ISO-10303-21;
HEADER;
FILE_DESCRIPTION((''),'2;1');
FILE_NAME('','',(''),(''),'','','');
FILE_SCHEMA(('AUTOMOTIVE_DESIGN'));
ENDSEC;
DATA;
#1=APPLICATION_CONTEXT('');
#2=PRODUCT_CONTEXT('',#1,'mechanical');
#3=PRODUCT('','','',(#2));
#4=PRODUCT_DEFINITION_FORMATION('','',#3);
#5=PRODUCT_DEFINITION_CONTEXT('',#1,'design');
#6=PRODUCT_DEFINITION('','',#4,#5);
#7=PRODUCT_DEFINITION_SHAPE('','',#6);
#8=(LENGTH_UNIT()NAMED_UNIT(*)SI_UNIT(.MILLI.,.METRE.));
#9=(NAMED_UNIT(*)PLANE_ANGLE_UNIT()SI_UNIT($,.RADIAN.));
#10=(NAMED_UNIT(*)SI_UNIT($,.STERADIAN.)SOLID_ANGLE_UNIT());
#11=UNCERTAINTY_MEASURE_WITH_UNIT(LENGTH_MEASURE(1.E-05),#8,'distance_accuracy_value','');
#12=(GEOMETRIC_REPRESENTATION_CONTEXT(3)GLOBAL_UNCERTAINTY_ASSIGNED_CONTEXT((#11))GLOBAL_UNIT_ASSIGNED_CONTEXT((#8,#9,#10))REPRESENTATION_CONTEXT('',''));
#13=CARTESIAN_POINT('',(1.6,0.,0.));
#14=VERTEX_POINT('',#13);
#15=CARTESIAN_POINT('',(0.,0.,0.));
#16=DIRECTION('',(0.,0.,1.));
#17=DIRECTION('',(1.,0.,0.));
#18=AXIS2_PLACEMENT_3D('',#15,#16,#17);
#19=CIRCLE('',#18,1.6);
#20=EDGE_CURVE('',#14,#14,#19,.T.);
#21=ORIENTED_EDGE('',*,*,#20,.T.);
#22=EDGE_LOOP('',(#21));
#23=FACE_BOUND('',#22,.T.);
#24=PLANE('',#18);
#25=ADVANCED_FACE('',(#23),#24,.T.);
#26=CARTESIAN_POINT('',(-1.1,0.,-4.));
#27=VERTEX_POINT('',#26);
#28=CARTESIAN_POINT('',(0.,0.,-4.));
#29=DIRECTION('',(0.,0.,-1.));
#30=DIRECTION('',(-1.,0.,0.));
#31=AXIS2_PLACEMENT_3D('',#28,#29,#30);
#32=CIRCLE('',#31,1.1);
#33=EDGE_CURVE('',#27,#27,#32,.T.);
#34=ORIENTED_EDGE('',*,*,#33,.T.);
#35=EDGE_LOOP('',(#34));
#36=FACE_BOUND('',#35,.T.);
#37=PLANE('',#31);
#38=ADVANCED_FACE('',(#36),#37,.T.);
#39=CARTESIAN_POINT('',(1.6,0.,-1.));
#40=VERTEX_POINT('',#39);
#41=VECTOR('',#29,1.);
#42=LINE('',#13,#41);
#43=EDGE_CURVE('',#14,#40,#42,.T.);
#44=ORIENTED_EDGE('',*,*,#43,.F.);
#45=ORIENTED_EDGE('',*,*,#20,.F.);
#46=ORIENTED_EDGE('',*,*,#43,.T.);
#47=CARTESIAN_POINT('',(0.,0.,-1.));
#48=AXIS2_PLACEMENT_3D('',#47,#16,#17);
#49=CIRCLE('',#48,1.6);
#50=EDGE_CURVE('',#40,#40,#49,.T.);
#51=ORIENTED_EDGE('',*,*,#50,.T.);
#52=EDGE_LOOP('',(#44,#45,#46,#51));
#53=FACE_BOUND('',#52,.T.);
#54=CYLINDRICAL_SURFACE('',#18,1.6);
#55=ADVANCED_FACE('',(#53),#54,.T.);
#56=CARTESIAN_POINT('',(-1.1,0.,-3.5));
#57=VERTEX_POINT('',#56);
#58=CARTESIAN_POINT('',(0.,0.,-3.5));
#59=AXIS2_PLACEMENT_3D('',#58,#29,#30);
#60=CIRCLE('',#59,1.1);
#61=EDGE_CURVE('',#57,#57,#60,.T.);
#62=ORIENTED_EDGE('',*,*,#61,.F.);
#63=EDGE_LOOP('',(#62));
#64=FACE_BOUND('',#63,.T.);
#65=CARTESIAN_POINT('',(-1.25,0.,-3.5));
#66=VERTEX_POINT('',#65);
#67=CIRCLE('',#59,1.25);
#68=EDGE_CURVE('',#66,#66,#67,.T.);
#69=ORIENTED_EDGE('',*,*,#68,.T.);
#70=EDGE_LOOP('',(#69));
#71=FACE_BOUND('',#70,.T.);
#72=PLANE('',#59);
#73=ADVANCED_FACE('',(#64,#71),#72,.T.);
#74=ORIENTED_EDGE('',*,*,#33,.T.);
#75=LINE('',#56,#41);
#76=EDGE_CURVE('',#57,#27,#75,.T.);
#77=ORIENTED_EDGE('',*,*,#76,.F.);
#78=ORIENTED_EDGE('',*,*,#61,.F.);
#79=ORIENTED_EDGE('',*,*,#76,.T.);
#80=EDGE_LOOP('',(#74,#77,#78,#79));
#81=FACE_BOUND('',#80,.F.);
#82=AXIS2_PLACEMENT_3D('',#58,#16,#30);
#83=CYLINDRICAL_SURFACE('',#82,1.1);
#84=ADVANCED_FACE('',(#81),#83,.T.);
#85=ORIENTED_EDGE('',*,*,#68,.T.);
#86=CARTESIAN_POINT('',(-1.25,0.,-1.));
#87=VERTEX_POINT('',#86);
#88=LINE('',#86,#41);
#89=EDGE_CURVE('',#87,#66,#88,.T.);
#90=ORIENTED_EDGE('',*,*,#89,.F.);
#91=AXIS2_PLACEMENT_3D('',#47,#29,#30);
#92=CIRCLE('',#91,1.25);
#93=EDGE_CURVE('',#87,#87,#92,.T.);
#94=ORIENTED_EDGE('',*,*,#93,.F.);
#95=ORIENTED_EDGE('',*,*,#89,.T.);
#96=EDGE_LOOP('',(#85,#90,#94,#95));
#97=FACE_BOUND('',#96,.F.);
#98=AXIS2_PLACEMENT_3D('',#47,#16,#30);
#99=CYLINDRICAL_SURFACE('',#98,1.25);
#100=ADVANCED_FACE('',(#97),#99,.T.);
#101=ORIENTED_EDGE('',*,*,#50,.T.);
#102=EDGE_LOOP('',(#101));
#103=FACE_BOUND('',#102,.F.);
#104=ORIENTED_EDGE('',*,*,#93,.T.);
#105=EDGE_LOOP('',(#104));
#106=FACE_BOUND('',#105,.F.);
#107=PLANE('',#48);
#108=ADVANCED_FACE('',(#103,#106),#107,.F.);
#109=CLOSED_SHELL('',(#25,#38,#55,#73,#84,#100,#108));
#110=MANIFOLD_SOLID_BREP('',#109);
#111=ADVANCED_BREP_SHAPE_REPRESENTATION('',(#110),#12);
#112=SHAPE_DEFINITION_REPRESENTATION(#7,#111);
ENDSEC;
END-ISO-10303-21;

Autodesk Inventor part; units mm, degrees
ref_plane "YZ Plane" through (0, 0, 0) normal (1, 0, 0) x (0, 1, 0)
ref_plane "XZ Plane" through (0, 0, 0) normal (0, 1, 0) x (-1, 0, 0)
ref_plane "XY Plane" through (0, 0, 0) normal (0, 0, 1) x (1, 0, 0)
sketch "Esboço1" plane through (0, 0, 0) normal (0, 0, 1) x (1, 0, 0)
  circle A0 centre (0, 0) radius 1.6
  dimension "d0" = 3.2
extrude "Extrusão1" add sketch "Esboço1" against normal blind 1
sketch "Esboço2" plane through (0, 0, -1) normal (0, 0, -1) x (-1, 0, 0)
  circle A0 centre (0, 0) radius 1.25
  dimension "d3" = 2.5
extrude "Extrusão2" add sketch "Esboço2" along normal blind 2.5
sketch "Esboço3" plane through (0, 0, -3.5) normal (0, 0, -1) x (-1, 0, 0)
  circle A0 centre (0, 0) radius 1.1
  dimension "d6" = 2.2
extrude "Extrusão3" add sketch "Esboço3" along normal blind 0.5
properties part number "Ra-Manager_Light_Pipe" material "Plástico SAN"
